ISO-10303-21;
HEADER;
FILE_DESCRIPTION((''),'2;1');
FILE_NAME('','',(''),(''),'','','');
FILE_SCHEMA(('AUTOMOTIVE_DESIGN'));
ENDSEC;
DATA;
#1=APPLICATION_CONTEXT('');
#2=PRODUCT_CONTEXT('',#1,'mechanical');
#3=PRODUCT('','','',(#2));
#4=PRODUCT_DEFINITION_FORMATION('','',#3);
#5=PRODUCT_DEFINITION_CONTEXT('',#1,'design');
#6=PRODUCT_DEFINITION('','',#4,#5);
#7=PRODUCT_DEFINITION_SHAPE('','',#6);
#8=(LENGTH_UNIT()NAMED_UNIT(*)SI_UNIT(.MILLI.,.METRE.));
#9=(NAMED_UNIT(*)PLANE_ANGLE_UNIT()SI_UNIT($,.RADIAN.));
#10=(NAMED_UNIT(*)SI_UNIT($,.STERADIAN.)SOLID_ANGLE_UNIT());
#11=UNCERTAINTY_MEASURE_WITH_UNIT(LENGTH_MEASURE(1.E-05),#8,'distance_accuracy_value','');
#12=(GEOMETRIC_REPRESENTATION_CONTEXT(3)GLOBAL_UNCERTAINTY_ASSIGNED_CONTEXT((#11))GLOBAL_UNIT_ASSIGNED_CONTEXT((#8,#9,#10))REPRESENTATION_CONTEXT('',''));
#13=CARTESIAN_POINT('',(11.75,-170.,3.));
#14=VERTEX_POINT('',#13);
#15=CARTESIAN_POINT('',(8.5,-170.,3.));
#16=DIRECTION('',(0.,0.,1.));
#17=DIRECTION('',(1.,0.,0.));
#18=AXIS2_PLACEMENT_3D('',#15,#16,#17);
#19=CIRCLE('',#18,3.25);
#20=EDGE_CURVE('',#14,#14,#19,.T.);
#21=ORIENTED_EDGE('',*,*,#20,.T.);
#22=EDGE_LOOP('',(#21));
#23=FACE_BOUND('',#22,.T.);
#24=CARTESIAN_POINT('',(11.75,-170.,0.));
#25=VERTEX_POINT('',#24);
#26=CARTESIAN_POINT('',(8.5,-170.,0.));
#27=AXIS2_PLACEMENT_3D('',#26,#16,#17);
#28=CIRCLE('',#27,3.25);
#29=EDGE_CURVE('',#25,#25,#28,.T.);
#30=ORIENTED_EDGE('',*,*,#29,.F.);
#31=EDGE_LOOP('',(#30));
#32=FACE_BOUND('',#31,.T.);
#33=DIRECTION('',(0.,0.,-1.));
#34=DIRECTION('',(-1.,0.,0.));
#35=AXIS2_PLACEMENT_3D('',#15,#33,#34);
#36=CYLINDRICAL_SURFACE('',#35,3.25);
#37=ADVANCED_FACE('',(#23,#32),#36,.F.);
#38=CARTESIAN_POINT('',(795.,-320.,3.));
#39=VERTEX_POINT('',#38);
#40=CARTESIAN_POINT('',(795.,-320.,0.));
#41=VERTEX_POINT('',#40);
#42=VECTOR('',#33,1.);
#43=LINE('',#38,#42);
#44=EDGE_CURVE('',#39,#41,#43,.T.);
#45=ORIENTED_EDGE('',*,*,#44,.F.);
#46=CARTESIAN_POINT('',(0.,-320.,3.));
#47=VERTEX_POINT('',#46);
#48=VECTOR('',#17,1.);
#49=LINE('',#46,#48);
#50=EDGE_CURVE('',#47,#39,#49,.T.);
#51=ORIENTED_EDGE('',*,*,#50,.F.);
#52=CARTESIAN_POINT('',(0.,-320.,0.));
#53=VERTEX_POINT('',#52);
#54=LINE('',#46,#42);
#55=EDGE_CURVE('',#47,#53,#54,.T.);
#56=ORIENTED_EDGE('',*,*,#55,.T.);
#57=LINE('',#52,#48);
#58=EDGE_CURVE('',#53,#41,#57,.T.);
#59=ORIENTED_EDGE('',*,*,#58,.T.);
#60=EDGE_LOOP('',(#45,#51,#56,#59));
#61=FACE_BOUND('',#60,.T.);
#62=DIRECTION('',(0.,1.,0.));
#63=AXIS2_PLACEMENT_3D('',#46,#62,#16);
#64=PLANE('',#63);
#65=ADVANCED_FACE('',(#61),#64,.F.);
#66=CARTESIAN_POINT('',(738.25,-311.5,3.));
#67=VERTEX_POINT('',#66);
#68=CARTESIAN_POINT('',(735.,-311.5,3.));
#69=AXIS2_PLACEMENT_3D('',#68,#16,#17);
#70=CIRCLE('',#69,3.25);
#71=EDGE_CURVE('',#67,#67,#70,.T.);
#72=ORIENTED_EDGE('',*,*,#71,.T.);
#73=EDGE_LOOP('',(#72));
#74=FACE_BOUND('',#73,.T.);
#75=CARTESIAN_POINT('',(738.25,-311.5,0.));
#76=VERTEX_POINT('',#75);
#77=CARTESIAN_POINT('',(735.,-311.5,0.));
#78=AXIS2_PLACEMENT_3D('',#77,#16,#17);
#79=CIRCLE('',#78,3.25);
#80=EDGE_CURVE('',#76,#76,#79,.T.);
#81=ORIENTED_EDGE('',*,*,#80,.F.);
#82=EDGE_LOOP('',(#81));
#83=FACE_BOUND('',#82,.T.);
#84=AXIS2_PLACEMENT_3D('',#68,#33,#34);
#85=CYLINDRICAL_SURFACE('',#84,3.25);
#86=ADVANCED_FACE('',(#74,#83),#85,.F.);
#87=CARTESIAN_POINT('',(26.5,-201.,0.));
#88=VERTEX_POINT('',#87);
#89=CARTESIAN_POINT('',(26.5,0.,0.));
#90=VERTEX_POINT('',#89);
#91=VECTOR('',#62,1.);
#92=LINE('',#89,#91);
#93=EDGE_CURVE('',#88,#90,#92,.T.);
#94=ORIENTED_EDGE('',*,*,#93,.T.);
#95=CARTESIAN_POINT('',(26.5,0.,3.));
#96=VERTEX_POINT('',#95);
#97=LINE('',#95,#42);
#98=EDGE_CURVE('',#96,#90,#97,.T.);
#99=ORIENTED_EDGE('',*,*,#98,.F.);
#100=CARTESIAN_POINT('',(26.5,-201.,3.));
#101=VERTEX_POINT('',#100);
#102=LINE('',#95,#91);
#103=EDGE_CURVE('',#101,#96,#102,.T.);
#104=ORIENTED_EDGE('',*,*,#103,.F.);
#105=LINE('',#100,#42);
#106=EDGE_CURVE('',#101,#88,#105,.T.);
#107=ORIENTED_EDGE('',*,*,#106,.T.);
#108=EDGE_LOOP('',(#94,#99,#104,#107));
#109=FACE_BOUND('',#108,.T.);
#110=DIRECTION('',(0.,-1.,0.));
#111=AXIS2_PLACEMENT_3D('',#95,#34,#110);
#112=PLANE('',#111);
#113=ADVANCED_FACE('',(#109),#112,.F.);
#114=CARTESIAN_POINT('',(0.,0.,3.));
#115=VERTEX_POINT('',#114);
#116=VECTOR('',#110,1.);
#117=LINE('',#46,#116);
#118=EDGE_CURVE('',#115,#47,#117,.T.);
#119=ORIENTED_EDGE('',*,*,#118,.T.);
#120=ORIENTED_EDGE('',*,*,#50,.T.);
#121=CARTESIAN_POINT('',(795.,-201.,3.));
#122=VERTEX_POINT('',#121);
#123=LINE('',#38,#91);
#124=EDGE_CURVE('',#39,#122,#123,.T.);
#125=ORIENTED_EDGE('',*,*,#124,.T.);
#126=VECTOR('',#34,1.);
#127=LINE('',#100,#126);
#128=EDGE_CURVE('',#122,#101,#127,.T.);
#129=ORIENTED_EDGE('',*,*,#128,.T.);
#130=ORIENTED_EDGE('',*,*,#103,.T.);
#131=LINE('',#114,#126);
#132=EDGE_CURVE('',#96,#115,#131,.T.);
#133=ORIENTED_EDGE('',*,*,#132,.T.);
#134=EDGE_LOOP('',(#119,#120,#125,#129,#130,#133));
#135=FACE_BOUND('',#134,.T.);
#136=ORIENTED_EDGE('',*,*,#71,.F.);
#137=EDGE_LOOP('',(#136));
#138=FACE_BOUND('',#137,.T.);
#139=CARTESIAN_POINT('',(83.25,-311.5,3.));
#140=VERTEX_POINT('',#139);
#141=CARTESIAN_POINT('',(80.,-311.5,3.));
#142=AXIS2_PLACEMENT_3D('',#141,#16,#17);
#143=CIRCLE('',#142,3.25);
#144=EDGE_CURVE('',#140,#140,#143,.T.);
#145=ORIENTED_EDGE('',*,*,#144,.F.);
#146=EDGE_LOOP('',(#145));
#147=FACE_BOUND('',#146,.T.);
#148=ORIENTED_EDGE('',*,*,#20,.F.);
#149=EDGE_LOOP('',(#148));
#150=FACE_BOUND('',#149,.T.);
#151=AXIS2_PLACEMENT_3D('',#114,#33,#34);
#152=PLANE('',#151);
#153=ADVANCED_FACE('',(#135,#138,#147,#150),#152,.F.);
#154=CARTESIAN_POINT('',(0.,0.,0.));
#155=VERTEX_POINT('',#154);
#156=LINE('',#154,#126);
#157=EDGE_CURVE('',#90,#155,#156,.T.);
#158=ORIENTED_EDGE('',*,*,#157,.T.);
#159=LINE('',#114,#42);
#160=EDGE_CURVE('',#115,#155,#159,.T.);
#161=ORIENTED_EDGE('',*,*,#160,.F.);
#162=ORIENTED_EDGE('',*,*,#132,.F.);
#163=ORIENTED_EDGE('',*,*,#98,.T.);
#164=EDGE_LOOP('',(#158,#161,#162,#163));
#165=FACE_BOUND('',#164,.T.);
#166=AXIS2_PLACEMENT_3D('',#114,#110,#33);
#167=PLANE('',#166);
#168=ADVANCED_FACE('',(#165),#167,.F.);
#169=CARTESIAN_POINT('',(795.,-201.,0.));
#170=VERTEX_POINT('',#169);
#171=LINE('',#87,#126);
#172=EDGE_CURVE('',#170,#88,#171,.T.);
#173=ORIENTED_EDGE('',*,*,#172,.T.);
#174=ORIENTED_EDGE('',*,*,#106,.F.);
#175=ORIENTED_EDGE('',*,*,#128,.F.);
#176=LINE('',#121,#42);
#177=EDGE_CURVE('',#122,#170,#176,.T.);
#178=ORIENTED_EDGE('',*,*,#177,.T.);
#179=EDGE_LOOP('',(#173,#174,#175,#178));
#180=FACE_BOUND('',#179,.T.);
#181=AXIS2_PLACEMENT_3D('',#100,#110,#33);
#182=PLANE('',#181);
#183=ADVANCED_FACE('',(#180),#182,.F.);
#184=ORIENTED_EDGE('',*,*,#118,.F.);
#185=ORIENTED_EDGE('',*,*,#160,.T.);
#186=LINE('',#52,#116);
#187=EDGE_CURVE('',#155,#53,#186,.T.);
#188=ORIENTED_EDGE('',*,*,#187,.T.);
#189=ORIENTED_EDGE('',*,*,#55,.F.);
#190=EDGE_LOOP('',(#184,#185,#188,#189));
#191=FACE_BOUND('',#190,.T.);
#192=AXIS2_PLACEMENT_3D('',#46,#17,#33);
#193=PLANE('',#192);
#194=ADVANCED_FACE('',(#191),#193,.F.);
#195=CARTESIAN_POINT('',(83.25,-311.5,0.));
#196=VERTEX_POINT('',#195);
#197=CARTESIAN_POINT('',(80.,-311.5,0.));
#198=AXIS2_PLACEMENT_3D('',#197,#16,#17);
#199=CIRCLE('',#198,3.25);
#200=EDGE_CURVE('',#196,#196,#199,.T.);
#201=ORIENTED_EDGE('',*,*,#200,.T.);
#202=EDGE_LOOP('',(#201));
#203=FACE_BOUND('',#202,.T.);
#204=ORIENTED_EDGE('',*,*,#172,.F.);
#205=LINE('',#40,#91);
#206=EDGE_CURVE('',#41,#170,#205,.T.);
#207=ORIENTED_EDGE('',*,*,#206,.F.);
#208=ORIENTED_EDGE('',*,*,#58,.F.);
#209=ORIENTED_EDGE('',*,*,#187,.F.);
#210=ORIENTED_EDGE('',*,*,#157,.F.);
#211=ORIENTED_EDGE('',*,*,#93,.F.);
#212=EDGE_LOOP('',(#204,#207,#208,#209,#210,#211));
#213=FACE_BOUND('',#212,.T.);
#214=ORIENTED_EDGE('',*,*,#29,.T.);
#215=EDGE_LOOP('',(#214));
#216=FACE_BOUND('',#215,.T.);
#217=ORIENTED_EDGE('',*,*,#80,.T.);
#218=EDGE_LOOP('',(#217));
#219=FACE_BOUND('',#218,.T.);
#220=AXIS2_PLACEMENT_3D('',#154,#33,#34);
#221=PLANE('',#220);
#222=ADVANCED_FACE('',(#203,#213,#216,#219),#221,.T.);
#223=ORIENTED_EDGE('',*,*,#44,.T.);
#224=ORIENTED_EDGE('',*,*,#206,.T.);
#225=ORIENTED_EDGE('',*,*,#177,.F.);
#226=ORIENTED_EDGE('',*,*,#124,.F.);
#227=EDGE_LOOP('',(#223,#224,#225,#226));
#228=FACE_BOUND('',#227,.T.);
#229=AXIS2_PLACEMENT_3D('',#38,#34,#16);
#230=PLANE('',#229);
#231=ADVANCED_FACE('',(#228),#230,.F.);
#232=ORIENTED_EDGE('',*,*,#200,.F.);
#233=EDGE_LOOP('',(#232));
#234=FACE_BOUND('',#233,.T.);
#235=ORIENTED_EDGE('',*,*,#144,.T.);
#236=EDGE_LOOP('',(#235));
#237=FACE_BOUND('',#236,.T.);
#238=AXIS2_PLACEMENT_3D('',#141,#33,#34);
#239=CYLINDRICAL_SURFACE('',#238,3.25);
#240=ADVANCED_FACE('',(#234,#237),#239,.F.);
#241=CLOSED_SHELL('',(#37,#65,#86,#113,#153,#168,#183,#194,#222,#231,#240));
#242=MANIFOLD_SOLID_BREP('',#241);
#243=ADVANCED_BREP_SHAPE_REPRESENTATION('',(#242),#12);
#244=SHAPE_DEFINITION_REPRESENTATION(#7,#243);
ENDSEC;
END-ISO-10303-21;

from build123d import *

# Parameters (mm, degrees)
SKETCH_1_R      = 3.25
EXTRUDE_1_DEPTH = 3


with BuildPart() as part:
    # 스케치1 → 보스-돌출1 (new body)
    with BuildSketch(Plane.XY):
        Polygon((0, 0), (26.5, 0), (26.5, -201), (795, -201), (795, -320), (0, -320), align=None)
        with Locations((735, -311.5)):
            Circle(SKETCH_1_R, mode=Mode.SUBTRACT)
        with Locations((80, -311.5)):
            Circle(SKETCH_1_R, mode=Mode.SUBTRACT)
        with Locations((8.5, -170)):
            Circle(SKETCH_1_R, mode=Mode.SUBTRACT)
    extrude(amount=EXTRUDE_1_DEPTH)


solid = part.part
